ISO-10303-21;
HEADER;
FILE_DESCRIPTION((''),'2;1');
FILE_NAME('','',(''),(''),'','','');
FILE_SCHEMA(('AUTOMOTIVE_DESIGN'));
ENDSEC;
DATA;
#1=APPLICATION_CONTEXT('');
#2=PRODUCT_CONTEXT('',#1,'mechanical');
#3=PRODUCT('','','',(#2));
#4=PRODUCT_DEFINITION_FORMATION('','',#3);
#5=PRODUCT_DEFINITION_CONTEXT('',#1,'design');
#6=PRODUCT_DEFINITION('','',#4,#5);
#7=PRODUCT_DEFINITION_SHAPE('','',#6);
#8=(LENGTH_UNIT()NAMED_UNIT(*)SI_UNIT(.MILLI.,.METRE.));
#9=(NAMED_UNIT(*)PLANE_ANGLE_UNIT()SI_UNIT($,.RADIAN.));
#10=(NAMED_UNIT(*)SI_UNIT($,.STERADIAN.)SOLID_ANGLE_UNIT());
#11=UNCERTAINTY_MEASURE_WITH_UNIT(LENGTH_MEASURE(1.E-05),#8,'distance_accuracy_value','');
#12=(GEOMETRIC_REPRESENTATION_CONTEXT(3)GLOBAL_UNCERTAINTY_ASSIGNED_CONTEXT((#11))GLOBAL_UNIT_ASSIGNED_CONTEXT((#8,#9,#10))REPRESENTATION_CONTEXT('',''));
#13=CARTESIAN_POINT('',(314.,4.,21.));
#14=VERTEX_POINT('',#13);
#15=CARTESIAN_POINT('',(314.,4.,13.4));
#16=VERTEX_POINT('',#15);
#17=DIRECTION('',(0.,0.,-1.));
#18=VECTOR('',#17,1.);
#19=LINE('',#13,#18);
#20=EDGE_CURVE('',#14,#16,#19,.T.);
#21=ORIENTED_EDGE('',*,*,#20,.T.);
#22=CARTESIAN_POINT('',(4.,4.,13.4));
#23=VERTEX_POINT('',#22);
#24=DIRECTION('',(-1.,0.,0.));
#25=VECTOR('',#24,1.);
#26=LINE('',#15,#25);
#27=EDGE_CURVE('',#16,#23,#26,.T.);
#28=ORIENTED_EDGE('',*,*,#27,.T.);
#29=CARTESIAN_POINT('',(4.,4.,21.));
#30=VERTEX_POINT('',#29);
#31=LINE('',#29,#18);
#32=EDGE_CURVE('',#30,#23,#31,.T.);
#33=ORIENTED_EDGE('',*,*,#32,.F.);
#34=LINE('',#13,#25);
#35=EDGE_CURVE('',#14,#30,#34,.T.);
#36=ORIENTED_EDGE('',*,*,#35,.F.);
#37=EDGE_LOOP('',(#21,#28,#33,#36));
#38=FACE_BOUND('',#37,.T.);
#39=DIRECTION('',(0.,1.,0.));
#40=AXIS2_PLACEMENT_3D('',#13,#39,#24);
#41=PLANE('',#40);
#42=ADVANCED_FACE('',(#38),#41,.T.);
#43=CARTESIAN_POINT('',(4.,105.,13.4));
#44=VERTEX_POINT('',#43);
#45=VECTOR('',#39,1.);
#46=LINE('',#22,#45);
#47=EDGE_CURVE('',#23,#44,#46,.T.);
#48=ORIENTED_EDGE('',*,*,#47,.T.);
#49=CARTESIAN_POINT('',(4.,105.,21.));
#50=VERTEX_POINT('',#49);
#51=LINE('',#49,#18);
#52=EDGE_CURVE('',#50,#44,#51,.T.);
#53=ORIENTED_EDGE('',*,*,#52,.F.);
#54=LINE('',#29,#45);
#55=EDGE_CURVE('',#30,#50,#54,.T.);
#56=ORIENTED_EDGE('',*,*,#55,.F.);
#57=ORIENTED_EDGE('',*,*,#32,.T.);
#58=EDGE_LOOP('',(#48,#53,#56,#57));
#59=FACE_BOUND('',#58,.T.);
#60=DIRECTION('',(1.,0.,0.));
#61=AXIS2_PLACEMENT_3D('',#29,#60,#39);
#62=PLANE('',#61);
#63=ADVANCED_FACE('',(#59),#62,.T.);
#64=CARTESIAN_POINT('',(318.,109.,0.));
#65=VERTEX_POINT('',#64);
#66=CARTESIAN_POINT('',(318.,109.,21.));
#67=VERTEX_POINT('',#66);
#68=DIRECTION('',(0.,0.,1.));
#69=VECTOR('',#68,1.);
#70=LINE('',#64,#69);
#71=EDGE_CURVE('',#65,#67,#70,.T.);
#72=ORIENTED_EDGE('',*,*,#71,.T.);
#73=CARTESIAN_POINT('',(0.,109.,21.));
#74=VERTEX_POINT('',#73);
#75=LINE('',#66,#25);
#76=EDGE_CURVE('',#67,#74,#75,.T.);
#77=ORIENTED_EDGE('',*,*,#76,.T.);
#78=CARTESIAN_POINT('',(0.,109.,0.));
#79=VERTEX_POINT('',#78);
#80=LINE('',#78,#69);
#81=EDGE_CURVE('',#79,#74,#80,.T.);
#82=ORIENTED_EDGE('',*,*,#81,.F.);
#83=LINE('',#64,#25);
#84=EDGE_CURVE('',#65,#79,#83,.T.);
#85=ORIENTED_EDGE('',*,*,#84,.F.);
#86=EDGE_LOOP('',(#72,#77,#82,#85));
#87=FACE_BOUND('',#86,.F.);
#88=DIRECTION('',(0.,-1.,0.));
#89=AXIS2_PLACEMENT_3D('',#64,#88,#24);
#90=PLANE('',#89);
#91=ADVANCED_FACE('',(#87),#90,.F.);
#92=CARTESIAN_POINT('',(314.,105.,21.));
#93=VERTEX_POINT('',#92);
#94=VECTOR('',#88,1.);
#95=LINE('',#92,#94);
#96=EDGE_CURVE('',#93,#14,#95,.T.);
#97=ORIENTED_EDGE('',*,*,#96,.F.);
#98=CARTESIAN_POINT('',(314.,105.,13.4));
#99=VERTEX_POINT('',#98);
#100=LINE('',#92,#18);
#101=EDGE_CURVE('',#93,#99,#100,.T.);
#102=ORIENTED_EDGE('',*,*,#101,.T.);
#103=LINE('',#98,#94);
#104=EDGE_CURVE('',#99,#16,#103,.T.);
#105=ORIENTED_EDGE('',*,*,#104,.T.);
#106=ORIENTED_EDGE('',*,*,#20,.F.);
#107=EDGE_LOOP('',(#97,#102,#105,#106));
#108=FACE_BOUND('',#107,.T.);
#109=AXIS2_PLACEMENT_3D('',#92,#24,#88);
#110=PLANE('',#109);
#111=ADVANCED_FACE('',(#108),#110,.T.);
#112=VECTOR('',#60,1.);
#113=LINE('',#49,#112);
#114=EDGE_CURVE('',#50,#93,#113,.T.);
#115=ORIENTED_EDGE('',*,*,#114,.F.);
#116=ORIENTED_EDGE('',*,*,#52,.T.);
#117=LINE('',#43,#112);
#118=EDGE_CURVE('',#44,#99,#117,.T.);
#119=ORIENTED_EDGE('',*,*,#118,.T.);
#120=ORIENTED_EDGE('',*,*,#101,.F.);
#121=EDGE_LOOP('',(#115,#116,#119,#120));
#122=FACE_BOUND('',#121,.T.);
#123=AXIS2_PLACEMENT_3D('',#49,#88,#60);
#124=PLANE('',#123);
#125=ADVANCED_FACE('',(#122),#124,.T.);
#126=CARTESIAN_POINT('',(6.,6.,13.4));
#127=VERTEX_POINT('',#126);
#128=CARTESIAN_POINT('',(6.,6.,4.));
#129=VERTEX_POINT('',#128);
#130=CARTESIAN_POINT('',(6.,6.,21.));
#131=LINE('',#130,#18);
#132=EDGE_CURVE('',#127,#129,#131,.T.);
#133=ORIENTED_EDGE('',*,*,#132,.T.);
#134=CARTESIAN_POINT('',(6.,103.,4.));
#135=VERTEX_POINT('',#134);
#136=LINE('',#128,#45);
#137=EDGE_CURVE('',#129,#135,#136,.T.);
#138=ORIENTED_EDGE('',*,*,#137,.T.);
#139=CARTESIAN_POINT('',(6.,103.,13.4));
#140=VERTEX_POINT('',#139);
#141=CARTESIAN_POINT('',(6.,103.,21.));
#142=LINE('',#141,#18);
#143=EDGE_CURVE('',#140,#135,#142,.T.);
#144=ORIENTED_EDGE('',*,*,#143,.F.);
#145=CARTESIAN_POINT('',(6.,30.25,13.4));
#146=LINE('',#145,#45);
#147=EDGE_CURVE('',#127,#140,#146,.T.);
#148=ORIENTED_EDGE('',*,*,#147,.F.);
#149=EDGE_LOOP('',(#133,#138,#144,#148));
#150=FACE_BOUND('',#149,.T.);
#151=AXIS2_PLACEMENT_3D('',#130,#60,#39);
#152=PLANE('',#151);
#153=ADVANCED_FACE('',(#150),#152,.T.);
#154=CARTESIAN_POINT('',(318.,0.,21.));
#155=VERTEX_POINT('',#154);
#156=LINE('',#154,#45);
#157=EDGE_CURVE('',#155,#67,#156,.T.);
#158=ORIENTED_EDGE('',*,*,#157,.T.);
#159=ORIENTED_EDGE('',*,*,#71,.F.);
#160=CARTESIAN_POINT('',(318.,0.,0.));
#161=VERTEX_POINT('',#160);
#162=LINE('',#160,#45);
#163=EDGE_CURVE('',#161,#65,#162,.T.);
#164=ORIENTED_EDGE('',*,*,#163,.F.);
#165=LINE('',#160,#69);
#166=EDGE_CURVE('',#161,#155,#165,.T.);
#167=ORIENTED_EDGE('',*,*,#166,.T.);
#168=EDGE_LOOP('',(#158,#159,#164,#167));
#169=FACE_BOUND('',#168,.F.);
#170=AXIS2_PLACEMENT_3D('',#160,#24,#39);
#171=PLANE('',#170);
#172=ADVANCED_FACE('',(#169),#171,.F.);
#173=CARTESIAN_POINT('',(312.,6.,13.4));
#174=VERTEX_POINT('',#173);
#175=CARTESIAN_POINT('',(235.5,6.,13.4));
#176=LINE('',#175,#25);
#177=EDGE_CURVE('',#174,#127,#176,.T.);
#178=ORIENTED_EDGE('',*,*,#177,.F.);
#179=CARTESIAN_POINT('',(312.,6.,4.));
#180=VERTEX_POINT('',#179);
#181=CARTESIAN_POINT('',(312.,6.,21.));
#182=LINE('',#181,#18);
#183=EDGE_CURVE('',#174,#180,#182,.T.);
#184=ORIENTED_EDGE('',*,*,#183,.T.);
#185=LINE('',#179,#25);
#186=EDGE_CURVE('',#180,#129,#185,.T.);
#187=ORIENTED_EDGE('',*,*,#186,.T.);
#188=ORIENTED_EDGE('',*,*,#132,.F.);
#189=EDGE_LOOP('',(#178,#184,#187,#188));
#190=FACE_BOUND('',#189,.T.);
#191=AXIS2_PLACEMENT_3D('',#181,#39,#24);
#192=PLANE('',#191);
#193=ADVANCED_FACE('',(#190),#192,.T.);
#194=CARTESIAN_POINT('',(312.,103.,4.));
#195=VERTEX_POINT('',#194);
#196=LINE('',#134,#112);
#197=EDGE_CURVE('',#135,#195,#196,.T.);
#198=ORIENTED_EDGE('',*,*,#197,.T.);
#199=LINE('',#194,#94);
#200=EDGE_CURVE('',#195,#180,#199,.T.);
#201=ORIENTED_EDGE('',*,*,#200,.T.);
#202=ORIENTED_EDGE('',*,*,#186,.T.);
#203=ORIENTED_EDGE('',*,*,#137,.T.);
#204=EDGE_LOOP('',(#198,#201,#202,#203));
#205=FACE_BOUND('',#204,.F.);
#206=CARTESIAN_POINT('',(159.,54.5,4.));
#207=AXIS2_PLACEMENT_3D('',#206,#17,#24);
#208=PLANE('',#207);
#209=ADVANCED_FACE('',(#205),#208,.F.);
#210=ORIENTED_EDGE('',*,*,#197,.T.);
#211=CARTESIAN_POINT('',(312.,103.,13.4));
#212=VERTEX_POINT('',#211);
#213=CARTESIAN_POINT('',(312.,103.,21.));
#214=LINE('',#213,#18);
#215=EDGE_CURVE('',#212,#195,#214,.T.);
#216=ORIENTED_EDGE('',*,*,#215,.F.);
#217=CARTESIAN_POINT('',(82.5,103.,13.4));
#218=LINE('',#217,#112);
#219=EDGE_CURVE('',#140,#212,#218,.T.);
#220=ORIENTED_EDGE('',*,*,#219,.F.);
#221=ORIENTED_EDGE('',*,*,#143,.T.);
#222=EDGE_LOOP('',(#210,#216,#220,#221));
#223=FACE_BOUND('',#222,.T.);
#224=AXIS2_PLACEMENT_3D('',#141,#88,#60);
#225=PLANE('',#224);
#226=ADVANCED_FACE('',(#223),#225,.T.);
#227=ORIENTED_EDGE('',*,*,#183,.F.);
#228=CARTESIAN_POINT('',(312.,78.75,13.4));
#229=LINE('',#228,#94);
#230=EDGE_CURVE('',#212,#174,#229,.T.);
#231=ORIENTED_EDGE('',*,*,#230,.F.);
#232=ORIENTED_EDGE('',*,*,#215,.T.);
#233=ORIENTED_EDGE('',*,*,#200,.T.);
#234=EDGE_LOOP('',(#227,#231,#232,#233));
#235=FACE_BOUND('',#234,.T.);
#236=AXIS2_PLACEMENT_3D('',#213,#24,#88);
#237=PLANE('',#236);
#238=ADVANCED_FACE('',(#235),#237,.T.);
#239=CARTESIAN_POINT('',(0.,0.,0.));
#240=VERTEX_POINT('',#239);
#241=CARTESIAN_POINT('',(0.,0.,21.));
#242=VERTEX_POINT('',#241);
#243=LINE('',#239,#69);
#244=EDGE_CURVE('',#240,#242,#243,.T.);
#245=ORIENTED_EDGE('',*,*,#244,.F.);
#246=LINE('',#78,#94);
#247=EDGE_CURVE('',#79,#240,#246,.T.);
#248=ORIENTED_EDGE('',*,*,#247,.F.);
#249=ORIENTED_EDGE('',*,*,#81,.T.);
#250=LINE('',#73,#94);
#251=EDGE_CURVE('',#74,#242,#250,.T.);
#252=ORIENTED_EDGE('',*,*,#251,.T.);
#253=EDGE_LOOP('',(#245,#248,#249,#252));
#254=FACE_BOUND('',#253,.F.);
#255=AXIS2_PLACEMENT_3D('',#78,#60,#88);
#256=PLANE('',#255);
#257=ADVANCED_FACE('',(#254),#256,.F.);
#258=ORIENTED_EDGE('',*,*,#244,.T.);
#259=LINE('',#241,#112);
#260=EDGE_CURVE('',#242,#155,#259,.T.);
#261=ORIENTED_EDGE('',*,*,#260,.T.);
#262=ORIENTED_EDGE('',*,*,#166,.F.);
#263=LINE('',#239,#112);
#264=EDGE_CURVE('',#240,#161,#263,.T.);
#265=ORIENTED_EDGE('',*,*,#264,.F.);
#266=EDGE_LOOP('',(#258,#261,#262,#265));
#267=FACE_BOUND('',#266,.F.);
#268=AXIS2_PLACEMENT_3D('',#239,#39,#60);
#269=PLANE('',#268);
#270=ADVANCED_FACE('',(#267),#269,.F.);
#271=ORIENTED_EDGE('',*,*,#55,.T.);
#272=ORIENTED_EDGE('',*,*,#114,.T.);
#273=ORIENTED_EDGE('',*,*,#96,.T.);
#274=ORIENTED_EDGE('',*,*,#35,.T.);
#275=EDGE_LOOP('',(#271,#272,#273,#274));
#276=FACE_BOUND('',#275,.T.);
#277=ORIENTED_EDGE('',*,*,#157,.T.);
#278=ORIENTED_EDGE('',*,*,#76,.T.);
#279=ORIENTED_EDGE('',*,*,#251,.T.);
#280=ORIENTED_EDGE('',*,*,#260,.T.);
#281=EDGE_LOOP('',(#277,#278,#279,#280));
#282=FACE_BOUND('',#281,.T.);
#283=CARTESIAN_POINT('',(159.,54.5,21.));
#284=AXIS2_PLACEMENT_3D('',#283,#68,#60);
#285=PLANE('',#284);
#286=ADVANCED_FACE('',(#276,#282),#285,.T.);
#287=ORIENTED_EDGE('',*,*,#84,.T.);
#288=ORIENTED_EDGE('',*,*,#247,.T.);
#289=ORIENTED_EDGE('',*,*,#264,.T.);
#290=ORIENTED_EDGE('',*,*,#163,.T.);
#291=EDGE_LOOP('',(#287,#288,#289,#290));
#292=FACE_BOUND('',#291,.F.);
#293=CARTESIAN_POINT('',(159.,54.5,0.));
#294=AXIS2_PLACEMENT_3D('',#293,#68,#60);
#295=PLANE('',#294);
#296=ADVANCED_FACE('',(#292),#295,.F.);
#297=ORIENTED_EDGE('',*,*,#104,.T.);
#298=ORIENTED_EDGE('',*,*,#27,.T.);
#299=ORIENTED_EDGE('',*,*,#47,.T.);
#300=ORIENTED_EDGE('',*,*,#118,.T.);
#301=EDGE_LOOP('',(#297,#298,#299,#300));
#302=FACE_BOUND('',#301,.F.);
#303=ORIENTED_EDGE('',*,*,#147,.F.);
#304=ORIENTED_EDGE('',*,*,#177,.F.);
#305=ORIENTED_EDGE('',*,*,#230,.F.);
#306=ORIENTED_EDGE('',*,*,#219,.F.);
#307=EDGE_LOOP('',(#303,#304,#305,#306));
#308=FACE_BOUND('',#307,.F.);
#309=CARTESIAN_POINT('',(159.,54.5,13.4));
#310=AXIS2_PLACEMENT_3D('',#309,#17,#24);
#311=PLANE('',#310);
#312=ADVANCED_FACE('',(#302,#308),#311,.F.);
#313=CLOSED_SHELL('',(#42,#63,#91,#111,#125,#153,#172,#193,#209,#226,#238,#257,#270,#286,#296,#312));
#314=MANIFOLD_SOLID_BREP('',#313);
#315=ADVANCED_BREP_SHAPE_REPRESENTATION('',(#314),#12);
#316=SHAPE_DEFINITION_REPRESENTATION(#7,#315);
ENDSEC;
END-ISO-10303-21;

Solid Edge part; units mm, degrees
sketch "Sketch1" plane through (0, 0, 0) normal (0, 0, 1) x (1, 0, 0)
  line L0 (0, 0) -> (318, 0)
  line L1 (318, 0) -> (318, 109)
  line L2 (318, 109) -> (0, 109)
  line L3 (0, 109) -> (0, 0)
extrude "Protrusion1" add sketch "Sketch1" along normal blind 21
sketch "Sketch2" plane through (159, 54.5, 21) normal (0, 0, 1) x (1, 0, 0)
  line L0 (-153, 48.5) -> (153, 48.5)
  line L1 (153, 48.5) -> (153, -48.5)
  line L2 (153, -48.5) -> (-153, -48.5)
  line L3 (-153, -48.5) -> (-153, 48.5)
  dimension "D1" = 6
  dimension "D2" = 6
  dimension "D3" = 6
  dimension "D4" = 6
extrude "ExtrudedCutout_1" cut sketch "Sketch2" against normal blind 17
sketch "Sketch3" plane through (159, 54.5, 21) normal (0, 0, 1) x (1, 0, 0)
  line L0 (-155, 50.5) -> (155, 50.5)
  line L1 (155, 50.5) -> (155, -50.5)
  line L2 (155, -50.5) -> (-155, -50.5)
  line L3 (-155, -50.5) -> (-155, 50.5)
  dimension "D1" = 4
  dimension "D2" = 4
  dimension "D3" = 4
  dimension "D4" = 4
extrude "Cutout1" cut sketch "Sketch3" against normal blind 7.6
